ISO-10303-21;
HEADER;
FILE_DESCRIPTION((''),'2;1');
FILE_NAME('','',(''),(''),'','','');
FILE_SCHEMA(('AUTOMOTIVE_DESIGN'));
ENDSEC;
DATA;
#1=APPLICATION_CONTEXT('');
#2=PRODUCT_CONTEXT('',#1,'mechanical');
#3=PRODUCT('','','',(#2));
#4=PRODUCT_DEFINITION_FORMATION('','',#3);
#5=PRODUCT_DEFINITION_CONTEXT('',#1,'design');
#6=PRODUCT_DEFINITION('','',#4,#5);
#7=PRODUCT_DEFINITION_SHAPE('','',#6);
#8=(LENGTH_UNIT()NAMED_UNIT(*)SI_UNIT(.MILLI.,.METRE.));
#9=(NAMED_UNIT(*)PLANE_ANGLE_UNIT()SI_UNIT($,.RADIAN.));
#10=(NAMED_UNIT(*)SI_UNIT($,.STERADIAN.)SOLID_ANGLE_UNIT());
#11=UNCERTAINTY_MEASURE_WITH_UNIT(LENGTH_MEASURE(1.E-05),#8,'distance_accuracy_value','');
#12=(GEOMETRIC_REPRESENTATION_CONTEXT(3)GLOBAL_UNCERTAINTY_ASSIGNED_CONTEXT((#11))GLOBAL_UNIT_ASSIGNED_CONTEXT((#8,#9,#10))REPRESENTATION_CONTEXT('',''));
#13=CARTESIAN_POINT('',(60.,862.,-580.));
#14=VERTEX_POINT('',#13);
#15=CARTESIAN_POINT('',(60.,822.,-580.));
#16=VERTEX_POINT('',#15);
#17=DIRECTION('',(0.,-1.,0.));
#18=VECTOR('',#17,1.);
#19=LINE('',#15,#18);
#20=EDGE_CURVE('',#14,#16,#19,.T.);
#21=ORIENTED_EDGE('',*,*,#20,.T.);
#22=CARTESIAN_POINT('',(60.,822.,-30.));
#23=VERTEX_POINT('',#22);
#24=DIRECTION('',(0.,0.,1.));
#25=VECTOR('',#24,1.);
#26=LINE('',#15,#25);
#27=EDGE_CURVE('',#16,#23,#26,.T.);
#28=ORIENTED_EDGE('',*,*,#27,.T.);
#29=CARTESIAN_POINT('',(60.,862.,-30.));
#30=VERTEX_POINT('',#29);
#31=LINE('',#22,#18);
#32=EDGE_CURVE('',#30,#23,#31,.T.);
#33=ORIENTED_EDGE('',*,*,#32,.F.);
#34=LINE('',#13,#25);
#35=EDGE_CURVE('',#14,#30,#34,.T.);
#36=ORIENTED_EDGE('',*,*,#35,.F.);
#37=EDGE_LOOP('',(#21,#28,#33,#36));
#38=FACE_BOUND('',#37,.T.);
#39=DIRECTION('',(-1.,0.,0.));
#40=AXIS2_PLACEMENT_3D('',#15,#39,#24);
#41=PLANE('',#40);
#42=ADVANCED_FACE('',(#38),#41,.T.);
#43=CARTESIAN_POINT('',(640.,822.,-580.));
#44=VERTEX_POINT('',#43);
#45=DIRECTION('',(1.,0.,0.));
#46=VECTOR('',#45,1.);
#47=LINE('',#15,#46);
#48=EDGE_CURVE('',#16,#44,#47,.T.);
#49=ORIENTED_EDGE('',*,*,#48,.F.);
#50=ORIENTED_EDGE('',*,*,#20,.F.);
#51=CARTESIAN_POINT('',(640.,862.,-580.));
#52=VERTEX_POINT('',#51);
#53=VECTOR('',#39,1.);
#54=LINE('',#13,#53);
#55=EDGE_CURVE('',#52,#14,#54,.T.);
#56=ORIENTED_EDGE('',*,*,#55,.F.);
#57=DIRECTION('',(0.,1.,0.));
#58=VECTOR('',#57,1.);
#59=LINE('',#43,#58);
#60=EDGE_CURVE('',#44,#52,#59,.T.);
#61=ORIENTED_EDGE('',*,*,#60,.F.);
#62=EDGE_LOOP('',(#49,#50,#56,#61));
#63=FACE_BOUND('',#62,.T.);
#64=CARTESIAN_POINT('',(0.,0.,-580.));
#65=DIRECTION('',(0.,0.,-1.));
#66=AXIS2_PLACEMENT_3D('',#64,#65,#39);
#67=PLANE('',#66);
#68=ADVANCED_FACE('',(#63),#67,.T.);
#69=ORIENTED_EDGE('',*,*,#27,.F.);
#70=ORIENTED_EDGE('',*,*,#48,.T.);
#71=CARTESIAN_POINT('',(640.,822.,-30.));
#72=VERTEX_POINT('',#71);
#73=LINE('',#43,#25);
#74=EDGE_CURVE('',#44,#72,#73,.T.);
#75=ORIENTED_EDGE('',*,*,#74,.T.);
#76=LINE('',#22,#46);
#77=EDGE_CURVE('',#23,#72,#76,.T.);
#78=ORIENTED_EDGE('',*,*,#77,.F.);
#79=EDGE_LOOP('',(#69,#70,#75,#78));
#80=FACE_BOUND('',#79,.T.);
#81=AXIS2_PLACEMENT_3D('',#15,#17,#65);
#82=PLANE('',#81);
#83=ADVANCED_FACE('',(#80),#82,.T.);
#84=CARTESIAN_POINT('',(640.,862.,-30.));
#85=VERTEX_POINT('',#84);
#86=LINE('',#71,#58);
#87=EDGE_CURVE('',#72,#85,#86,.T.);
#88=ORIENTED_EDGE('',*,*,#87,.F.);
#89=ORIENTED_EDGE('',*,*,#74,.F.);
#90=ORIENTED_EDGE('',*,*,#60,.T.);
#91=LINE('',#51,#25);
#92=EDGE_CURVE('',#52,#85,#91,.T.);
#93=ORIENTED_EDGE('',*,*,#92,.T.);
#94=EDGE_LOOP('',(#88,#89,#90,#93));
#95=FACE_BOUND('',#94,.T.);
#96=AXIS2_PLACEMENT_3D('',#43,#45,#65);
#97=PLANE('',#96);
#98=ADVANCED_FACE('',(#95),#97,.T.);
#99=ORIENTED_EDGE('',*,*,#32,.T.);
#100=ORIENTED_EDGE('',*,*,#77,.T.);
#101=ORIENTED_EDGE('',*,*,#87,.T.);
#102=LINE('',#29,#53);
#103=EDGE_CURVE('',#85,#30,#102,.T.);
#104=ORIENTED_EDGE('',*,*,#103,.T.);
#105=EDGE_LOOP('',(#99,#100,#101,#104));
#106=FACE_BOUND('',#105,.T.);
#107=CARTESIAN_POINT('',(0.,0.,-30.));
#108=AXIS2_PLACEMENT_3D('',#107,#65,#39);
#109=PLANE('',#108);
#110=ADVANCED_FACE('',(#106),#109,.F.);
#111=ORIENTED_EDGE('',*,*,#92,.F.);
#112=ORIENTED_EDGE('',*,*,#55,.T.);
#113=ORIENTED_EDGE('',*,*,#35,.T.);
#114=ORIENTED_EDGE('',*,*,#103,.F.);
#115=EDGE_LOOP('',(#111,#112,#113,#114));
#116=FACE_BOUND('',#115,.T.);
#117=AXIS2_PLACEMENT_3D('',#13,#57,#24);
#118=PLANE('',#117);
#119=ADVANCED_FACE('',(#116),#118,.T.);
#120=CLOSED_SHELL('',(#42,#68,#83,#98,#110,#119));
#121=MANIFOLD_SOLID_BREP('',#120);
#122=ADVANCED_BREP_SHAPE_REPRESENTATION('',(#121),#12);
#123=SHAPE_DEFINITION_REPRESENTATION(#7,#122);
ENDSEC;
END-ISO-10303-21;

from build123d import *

# Parameters (mm, degrees)
OVEN_SICAK_DOLAP_PU_ALT_1_START = -30
SKETCH1_W                       = 580
SKETCH1_H                       = 40
OVEN_SICAK_DOLAP_PU_ALT_1_DEPTH = 550


with BuildPart() as part:
    # Sketch1 → OVEN_sicak_dolap_pu_alt_1 (new body)
    with BuildSketch(Plane.XY.offset(OVEN_SICAK_DOLAP_PU_ALT_1_START)):
        with Locations((350, 842)):
            Rectangle(SKETCH1_W, SKETCH1_H)
    extrude(amount=-OVEN_SICAK_DOLAP_PU_ALT_1_DEPTH)


solid = part.part
